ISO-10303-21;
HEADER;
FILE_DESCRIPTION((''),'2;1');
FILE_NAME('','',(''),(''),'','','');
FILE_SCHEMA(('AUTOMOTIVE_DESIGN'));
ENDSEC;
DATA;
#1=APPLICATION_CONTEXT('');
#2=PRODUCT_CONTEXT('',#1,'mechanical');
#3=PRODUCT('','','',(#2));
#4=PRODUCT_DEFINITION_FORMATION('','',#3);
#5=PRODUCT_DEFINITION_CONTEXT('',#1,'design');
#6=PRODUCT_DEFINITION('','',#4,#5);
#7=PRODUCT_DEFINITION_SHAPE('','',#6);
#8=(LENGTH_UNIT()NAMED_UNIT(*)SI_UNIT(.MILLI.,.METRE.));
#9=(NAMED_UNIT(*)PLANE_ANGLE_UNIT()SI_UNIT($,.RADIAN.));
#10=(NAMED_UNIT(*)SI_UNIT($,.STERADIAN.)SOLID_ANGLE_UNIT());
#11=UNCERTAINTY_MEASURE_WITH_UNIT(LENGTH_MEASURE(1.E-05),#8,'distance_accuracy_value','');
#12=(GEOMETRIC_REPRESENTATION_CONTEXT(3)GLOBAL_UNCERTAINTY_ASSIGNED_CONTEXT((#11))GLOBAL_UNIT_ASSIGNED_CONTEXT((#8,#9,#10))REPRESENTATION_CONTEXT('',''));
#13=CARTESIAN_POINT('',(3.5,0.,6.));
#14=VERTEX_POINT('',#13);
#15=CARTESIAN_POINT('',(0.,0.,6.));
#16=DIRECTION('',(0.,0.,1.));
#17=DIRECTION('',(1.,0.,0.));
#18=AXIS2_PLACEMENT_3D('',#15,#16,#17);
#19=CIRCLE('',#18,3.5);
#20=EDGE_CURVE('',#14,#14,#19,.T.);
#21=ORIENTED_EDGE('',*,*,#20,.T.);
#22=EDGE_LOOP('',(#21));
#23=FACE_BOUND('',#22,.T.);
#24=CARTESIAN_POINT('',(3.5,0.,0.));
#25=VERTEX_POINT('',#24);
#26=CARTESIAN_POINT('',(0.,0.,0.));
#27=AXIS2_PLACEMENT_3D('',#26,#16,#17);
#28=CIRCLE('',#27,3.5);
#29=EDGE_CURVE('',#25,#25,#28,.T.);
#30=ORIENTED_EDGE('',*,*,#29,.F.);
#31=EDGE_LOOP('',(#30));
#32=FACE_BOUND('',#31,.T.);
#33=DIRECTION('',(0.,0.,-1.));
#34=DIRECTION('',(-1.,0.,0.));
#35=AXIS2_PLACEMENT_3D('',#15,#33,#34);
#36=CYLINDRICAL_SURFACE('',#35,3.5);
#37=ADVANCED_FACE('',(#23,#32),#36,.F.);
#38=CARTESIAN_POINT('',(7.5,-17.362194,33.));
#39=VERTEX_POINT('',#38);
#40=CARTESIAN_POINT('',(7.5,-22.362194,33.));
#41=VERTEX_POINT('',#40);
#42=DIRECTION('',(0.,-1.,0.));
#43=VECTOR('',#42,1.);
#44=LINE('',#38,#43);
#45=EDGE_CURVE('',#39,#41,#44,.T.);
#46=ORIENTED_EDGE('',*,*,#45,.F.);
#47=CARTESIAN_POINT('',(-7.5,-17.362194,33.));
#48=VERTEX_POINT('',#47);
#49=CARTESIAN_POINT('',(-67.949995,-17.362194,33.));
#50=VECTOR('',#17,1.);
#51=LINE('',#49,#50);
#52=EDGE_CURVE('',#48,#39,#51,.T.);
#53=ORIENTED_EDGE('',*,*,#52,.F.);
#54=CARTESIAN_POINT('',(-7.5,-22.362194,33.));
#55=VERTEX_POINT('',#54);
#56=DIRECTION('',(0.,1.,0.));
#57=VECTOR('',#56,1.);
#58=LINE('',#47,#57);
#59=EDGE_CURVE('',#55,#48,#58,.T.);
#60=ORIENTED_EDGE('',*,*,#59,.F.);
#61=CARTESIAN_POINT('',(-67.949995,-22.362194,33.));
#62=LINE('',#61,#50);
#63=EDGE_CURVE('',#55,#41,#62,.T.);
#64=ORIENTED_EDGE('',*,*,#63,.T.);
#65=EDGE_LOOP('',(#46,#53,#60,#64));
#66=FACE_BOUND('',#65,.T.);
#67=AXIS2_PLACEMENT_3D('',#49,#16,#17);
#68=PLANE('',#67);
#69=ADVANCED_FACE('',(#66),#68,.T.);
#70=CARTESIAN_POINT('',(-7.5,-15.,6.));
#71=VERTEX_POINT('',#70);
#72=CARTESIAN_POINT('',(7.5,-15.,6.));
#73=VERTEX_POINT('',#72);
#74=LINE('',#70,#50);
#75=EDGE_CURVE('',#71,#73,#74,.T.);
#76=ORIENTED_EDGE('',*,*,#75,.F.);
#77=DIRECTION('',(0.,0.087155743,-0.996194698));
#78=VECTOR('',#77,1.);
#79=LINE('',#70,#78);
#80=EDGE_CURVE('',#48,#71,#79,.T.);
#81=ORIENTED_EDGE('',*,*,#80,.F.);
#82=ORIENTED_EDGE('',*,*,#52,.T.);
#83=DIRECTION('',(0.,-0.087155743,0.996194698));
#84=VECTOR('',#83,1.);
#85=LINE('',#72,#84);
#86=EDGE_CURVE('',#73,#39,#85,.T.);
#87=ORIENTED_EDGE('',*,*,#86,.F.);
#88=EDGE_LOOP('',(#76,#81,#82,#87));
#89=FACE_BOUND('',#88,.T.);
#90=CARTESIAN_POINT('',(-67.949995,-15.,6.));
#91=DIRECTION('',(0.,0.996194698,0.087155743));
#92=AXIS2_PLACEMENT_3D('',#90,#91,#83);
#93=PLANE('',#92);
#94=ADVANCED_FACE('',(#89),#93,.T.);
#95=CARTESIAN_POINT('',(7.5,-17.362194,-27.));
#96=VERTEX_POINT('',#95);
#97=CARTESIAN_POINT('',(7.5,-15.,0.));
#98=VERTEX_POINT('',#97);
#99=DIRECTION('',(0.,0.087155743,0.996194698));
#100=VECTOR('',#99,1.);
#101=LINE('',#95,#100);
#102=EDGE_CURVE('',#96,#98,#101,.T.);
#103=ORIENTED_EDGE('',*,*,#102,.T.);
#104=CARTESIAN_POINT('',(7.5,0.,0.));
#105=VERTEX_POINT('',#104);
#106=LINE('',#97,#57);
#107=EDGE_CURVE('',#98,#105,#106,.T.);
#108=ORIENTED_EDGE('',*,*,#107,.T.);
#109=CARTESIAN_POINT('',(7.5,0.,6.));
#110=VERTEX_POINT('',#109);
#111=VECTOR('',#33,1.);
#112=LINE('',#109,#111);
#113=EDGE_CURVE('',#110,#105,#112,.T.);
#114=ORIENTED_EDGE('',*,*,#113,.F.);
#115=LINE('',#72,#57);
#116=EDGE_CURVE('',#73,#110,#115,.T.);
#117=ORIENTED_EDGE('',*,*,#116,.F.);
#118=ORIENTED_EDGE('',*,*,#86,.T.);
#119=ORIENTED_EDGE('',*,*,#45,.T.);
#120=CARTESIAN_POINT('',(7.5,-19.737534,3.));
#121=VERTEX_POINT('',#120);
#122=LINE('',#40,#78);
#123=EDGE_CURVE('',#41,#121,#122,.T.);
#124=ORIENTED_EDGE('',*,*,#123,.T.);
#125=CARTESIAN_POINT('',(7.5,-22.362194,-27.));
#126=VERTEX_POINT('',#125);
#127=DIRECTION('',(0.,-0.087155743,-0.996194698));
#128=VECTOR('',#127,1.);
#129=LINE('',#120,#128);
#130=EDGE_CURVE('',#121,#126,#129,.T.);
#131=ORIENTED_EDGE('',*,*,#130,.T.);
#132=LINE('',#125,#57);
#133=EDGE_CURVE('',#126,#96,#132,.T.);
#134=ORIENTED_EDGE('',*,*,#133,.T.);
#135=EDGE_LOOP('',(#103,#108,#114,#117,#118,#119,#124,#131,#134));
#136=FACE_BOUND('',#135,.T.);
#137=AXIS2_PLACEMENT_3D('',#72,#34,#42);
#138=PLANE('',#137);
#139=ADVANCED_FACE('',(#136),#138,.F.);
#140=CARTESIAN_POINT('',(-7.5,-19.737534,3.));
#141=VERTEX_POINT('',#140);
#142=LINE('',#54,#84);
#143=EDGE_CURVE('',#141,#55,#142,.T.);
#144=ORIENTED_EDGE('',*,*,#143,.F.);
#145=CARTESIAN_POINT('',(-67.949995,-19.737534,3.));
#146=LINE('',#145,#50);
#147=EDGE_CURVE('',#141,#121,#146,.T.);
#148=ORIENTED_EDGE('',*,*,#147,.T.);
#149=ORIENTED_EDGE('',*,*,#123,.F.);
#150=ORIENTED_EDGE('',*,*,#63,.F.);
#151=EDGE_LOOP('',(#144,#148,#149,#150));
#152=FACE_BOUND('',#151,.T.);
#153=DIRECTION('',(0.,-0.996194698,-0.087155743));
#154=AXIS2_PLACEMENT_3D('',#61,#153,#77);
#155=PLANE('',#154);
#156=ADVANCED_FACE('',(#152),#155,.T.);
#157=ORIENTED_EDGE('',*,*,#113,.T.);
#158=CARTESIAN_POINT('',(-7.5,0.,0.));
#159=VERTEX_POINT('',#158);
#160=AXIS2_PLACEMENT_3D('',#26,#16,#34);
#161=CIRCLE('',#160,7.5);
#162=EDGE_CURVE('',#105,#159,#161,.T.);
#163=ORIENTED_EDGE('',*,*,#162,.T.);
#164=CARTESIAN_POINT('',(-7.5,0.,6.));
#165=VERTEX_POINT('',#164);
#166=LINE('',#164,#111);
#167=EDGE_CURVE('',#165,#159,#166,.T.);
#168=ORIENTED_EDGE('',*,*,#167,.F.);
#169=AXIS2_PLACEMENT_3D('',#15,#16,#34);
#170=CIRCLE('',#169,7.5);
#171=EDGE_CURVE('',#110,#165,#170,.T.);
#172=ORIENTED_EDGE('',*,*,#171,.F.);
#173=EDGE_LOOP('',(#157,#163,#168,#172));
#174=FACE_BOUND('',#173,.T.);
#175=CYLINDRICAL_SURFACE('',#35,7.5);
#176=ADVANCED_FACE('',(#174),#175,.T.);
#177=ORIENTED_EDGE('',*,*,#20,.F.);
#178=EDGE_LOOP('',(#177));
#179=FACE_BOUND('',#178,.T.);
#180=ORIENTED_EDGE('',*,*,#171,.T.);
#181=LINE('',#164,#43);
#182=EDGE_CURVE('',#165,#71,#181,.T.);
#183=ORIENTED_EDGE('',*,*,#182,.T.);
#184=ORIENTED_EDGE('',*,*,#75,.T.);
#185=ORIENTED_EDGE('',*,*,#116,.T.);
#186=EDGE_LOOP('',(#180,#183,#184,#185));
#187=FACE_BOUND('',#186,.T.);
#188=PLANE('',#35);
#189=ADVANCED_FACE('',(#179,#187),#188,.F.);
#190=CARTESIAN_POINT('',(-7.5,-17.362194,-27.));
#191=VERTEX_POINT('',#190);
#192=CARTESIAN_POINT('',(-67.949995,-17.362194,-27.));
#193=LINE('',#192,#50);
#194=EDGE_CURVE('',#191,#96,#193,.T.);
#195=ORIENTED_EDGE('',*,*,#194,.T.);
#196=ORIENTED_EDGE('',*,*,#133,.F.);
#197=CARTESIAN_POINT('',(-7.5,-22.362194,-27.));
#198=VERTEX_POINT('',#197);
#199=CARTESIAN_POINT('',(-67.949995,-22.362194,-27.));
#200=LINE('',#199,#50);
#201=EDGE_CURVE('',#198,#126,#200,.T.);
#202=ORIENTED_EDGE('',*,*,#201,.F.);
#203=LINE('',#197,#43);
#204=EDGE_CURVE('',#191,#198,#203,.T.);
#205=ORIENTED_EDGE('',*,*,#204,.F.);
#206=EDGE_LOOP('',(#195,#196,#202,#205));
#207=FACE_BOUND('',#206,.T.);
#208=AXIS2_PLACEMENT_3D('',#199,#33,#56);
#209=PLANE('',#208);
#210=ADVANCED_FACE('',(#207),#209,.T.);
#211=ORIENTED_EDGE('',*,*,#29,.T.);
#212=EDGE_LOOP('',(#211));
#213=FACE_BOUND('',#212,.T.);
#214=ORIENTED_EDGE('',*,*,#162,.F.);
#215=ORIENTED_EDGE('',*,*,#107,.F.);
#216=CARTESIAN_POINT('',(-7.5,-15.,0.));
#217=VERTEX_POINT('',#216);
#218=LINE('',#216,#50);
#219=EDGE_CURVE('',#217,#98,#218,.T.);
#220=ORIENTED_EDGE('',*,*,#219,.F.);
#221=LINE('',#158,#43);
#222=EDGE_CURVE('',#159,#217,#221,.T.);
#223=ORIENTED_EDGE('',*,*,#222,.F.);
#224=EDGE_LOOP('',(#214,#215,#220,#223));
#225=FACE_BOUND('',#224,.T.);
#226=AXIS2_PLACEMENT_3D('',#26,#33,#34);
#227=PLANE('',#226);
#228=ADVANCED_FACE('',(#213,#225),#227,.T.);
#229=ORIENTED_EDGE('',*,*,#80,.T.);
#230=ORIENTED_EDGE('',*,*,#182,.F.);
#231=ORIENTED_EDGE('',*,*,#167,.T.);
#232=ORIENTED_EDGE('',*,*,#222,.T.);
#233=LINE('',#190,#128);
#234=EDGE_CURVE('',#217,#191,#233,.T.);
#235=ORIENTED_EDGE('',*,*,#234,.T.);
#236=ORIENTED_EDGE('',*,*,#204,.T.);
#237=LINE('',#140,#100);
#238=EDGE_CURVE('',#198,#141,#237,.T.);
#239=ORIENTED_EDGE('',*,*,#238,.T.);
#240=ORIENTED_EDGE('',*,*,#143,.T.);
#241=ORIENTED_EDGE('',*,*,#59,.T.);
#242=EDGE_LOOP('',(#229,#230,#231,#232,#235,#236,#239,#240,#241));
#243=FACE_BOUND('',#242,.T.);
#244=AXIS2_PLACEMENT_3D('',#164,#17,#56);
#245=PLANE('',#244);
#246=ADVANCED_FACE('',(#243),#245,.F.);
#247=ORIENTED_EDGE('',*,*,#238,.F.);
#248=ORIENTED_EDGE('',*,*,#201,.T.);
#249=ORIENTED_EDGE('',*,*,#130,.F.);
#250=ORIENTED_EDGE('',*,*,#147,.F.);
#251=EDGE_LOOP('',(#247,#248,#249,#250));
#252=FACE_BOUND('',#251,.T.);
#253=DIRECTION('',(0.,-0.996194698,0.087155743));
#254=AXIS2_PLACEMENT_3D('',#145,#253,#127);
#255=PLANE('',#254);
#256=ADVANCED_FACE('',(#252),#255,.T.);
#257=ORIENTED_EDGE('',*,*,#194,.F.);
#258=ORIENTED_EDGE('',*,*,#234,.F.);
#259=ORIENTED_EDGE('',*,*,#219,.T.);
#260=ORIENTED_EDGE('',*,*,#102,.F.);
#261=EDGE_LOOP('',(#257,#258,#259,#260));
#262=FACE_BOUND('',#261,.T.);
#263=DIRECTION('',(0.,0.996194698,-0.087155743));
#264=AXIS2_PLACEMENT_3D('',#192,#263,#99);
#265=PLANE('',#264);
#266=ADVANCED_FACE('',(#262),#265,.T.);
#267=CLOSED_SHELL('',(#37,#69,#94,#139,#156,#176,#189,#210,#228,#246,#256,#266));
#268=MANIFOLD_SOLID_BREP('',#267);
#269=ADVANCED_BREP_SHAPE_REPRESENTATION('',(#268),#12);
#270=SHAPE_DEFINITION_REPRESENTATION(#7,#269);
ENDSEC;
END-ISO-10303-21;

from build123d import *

# Parameters (mm, degrees)
SKETCH1_R           = 3.5
BOSS_EXTRUDE1_DEPTH = 6
BOSS_EXTRUDE2_DEPTH = 15


with BuildPart() as part:
    # Sketch1 → Boss-Extrude1 (new body)
    with BuildSketch(Plane.XY):
        with BuildLine():
            Line((-7.5, 0), (-7.5, -15))
            Line((-7.5, -15), (7.5, -15))
            Line((7.5, -15), (7.5, 0))
            ThreePointArc((7.5, 0), (0, 7.5), (-7.5, 0))
        make_face()
        Circle(SKETCH1_R, mode=Mode.SUBTRACT)
    extrude(amount=BOSS_EXTRUDE1_DEPTH)

    # Sketch2 → Boss-Extrude2 (add)
    with BuildSketch(Plane(origin=(7.5, 0, 0), x_dir=(0, 0, -1), z_dir=(1, 0, 0))):
        Polygon((-6, -15), (-33, -17.362193915), (-33, -22.362193915), (-3, -19.737534009), (27, -22.362193915), (27, -17.362193915), (0, -15), align=None)
    extrude(amount=-BOSS_EXTRUDE2_DEPTH)


solid = part.part
